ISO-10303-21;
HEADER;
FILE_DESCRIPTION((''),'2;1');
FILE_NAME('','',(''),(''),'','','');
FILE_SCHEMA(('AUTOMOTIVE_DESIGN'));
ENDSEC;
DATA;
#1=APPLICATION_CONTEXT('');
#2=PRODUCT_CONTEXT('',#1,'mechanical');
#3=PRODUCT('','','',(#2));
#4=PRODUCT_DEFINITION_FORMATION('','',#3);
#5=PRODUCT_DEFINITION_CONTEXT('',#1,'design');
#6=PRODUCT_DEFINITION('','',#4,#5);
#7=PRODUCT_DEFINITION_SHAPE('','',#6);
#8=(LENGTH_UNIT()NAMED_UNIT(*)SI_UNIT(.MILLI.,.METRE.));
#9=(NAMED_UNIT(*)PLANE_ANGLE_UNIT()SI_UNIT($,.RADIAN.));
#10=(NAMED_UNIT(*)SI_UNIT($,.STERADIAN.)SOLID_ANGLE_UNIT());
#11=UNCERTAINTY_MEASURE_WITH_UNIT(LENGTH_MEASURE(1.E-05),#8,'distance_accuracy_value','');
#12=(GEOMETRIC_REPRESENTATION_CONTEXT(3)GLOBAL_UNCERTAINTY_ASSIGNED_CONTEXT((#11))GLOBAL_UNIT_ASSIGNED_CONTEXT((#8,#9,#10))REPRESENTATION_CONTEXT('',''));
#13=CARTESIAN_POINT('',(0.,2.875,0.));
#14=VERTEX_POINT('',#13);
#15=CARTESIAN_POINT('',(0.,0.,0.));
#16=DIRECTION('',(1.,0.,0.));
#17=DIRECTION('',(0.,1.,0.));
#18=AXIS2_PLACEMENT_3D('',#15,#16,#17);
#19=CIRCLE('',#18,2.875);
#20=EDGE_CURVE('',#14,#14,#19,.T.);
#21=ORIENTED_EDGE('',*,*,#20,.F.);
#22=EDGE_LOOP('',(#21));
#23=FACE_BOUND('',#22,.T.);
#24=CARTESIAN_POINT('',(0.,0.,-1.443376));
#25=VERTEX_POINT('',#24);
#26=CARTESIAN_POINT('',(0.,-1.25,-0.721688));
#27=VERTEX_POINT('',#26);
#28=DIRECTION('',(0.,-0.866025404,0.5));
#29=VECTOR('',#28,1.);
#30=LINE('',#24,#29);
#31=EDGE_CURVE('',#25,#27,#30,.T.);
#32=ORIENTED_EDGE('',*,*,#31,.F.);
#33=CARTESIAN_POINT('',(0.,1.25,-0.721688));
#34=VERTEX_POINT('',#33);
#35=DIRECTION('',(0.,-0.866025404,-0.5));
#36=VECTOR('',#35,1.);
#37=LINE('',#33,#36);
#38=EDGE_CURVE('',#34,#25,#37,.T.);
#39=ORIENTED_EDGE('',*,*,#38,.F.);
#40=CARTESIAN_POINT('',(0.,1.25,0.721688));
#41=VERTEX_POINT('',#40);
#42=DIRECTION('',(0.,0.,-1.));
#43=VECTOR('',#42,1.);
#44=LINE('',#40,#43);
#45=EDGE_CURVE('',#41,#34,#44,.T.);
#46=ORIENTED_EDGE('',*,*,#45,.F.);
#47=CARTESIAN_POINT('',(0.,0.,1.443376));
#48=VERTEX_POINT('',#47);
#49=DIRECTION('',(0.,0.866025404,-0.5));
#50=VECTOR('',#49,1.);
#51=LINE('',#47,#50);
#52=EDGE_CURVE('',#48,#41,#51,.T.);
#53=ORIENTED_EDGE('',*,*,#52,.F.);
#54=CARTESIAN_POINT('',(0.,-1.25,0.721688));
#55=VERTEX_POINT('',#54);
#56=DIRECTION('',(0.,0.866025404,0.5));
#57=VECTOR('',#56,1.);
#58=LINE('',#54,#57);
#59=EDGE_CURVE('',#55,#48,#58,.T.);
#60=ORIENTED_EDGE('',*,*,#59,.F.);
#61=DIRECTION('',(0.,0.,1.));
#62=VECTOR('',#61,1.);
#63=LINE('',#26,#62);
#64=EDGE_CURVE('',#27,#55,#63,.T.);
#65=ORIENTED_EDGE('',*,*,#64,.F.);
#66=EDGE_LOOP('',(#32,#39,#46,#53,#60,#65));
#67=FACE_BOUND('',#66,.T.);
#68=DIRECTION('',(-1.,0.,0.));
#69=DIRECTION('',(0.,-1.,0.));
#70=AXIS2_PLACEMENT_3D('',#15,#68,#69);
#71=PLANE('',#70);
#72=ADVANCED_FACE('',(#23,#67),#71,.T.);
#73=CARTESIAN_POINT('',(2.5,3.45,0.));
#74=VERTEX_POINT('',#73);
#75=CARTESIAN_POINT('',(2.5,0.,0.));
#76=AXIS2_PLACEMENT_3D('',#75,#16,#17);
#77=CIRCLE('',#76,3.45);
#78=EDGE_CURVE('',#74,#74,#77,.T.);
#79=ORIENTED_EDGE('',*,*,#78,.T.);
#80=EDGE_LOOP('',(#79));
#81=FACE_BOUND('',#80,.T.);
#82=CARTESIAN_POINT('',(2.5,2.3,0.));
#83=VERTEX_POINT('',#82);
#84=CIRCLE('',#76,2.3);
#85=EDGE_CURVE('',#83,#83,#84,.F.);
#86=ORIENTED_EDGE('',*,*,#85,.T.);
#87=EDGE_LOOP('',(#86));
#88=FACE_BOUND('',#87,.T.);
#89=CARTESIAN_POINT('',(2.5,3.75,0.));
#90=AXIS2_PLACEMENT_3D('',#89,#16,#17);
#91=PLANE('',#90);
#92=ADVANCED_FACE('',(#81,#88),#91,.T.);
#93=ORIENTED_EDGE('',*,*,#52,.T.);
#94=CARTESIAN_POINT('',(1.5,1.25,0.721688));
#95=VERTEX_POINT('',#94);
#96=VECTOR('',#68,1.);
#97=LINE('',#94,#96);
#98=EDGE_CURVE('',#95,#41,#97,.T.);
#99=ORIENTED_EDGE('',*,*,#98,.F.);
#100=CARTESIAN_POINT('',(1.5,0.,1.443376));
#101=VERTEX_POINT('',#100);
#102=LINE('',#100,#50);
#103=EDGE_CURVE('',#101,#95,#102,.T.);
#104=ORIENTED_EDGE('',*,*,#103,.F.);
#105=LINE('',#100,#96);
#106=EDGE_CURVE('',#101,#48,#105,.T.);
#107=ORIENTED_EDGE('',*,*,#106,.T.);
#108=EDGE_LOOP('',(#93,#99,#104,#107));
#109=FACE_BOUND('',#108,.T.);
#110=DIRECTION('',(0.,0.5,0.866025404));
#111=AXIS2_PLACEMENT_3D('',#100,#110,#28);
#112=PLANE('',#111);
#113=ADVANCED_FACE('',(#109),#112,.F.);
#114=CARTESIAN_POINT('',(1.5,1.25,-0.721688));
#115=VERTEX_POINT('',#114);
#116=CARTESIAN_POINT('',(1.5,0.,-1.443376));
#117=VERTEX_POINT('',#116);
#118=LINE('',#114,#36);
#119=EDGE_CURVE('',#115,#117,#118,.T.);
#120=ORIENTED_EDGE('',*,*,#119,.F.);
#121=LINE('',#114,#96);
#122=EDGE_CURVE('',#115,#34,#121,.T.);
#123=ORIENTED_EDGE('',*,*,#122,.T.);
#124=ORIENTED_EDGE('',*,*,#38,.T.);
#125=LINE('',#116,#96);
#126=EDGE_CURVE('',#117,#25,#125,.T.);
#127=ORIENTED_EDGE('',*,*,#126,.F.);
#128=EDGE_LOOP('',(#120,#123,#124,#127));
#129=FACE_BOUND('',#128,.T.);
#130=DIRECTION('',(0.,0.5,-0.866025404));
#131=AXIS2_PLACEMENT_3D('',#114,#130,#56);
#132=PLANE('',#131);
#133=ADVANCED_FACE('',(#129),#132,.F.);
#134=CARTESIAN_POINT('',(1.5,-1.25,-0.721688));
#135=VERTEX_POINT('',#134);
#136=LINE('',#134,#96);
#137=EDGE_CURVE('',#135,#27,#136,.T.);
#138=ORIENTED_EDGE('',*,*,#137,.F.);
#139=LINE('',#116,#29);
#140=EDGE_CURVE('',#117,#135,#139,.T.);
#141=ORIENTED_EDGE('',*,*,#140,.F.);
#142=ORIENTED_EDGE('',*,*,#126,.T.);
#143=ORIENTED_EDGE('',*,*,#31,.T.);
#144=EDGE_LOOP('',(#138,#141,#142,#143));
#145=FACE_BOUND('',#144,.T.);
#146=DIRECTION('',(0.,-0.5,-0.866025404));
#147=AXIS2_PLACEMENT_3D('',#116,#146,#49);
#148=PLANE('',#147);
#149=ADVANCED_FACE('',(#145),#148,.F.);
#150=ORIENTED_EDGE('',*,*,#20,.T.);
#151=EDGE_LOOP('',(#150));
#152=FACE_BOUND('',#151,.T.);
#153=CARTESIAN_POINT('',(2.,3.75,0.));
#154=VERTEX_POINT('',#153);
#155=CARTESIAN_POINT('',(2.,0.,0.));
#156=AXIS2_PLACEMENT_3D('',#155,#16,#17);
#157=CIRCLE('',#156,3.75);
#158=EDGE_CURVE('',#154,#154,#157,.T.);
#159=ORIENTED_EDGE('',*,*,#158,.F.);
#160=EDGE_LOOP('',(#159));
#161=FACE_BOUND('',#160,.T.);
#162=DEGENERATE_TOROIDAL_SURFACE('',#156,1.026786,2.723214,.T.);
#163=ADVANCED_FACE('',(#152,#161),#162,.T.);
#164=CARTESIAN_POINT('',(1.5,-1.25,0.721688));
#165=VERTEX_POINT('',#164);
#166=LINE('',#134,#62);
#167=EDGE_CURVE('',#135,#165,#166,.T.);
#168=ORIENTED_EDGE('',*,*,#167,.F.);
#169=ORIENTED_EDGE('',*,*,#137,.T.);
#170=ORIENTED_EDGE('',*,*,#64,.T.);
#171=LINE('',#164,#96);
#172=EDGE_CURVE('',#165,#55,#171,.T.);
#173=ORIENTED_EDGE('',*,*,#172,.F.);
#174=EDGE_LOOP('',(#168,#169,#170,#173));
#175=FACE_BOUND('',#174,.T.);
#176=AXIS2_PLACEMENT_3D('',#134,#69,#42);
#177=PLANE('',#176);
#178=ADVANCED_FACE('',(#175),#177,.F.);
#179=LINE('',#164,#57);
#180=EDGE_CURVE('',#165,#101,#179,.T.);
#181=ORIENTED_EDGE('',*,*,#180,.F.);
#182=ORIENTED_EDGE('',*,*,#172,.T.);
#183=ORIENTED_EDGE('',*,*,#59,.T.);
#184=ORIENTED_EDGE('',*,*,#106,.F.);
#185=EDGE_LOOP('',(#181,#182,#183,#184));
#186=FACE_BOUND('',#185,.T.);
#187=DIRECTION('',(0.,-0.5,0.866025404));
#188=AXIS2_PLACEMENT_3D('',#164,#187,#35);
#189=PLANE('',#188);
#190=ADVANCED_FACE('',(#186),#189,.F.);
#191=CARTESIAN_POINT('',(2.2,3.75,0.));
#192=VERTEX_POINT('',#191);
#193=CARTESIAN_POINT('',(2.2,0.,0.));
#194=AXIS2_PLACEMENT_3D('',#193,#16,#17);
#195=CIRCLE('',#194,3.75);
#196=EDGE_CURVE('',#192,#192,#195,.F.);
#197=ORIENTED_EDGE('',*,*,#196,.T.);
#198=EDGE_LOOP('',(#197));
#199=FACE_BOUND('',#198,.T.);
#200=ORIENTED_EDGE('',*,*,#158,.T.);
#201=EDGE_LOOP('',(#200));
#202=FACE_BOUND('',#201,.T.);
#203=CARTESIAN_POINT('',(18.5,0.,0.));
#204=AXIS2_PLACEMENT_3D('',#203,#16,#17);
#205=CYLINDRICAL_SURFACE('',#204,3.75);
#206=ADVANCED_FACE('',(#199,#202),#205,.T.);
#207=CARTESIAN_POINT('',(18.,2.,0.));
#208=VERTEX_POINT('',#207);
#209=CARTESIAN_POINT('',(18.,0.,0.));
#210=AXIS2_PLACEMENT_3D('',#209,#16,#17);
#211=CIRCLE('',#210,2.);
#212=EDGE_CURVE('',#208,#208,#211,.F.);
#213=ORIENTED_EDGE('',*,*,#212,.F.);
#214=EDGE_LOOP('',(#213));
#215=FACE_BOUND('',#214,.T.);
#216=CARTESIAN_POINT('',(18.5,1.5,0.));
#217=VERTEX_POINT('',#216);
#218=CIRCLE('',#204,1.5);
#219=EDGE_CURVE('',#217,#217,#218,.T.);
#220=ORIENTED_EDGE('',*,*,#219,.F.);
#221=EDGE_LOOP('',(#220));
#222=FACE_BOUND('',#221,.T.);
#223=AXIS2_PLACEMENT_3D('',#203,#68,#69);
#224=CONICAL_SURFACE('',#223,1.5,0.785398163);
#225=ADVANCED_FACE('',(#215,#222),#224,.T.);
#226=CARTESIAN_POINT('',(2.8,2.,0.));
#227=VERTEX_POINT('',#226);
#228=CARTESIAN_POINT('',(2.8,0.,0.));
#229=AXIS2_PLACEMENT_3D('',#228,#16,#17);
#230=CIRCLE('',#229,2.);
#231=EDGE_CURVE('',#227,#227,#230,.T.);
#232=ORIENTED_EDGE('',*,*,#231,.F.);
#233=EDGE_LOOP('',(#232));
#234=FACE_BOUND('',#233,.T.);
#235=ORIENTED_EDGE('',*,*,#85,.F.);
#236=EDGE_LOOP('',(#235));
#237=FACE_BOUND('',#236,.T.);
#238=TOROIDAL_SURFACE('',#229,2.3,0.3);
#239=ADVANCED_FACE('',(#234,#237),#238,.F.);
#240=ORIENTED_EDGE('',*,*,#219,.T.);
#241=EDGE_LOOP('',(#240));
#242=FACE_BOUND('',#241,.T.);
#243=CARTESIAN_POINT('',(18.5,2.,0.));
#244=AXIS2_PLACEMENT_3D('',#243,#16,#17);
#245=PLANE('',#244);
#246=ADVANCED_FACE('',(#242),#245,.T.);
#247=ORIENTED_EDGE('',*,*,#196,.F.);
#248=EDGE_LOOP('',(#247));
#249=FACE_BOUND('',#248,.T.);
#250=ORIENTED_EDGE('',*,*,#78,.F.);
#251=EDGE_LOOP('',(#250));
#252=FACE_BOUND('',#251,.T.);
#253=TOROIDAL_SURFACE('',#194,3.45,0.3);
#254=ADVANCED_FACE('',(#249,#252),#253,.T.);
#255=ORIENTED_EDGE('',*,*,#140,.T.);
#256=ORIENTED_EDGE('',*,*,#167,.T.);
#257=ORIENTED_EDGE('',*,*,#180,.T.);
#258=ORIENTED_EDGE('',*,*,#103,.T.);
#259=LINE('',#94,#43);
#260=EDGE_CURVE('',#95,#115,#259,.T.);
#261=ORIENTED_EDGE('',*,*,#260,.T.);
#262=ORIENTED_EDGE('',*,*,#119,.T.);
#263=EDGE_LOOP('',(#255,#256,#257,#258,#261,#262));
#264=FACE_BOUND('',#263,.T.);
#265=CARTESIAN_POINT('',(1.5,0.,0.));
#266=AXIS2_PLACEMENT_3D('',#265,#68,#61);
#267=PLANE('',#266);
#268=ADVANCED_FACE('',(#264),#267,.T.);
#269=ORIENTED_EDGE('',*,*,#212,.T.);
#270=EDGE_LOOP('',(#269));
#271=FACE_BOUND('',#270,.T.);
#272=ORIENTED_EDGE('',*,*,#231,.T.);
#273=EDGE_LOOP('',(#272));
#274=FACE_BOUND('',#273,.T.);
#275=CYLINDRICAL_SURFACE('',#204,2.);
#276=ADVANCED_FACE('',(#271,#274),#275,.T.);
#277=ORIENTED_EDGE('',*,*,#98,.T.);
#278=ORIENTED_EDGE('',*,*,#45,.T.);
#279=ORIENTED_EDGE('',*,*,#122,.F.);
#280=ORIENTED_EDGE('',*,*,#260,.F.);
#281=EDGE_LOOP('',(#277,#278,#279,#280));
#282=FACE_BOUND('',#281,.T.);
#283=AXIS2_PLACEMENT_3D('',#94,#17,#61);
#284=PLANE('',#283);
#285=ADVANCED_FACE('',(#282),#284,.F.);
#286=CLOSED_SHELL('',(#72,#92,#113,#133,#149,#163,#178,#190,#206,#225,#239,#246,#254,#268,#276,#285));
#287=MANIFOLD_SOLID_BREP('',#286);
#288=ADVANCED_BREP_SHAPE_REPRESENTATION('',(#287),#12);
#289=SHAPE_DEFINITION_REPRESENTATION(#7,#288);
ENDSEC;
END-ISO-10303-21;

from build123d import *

# Parameters (mm, degrees)
CUT_EXTRUDE_1_DEPTH = 1.5
FILLET_1_R          = 0.3
CHAMFER_1_SIZE      = 0.5


with BuildPart() as part:
    # Эскиз1 → Повернуть1 (revolve)
    with BuildSketch(Plane.XY):
        with BuildLine():
            Line((0, 0), (0, 2.875))
            ThreePointArc((0, 2.875), (0.908484425, 3.521678457), (2, 3.75))
            Line((2, 3.75), (2.5, 3.75))
            Line((2.5, 3.75), (2.5, 2))
            Line((2.5, 2), (18.5, 2))
            Line((18.5, 2), (18.5, 0))
            Line((18.5, 0), (0, 0))
        make_face()
    revolve(axis=Axis((18.5, 0, 0), (-1, 0, 0)))

    # Эскиз2 → Вырез-Вытянуть1 (cut)
    with BuildSketch(Plane.ZY):
        Polygon((0.721687836, 1.25), (-0.721687836, 1.25), (-1.443375673, 0), (-0.721687836, -1.25), (0.721687836, -1.25), (1.443375673, 0), align=None)
    extrude(amount=-CUT_EXTRUDE_1_DEPTH, mode=Mode.SUBTRACT)

    # Скругление1
    fillet_1_edges = [part.edges().sort_by_distance(p)[0] for p in [
        (2.5, -2, 0),
        (2.5, -3.75, 0),
    ]]
    fillet(fillet_1_edges, radius=FILLET_1_R)

    # Фаска1
    chamfer_1_edges = [part.edges().sort_by_distance(p)[0] for p in [
        (18.5, -2, 0),
    ]]
    chamfer(chamfer_1_edges, length=CHAMFER_1_SIZE)


solid = part.part
